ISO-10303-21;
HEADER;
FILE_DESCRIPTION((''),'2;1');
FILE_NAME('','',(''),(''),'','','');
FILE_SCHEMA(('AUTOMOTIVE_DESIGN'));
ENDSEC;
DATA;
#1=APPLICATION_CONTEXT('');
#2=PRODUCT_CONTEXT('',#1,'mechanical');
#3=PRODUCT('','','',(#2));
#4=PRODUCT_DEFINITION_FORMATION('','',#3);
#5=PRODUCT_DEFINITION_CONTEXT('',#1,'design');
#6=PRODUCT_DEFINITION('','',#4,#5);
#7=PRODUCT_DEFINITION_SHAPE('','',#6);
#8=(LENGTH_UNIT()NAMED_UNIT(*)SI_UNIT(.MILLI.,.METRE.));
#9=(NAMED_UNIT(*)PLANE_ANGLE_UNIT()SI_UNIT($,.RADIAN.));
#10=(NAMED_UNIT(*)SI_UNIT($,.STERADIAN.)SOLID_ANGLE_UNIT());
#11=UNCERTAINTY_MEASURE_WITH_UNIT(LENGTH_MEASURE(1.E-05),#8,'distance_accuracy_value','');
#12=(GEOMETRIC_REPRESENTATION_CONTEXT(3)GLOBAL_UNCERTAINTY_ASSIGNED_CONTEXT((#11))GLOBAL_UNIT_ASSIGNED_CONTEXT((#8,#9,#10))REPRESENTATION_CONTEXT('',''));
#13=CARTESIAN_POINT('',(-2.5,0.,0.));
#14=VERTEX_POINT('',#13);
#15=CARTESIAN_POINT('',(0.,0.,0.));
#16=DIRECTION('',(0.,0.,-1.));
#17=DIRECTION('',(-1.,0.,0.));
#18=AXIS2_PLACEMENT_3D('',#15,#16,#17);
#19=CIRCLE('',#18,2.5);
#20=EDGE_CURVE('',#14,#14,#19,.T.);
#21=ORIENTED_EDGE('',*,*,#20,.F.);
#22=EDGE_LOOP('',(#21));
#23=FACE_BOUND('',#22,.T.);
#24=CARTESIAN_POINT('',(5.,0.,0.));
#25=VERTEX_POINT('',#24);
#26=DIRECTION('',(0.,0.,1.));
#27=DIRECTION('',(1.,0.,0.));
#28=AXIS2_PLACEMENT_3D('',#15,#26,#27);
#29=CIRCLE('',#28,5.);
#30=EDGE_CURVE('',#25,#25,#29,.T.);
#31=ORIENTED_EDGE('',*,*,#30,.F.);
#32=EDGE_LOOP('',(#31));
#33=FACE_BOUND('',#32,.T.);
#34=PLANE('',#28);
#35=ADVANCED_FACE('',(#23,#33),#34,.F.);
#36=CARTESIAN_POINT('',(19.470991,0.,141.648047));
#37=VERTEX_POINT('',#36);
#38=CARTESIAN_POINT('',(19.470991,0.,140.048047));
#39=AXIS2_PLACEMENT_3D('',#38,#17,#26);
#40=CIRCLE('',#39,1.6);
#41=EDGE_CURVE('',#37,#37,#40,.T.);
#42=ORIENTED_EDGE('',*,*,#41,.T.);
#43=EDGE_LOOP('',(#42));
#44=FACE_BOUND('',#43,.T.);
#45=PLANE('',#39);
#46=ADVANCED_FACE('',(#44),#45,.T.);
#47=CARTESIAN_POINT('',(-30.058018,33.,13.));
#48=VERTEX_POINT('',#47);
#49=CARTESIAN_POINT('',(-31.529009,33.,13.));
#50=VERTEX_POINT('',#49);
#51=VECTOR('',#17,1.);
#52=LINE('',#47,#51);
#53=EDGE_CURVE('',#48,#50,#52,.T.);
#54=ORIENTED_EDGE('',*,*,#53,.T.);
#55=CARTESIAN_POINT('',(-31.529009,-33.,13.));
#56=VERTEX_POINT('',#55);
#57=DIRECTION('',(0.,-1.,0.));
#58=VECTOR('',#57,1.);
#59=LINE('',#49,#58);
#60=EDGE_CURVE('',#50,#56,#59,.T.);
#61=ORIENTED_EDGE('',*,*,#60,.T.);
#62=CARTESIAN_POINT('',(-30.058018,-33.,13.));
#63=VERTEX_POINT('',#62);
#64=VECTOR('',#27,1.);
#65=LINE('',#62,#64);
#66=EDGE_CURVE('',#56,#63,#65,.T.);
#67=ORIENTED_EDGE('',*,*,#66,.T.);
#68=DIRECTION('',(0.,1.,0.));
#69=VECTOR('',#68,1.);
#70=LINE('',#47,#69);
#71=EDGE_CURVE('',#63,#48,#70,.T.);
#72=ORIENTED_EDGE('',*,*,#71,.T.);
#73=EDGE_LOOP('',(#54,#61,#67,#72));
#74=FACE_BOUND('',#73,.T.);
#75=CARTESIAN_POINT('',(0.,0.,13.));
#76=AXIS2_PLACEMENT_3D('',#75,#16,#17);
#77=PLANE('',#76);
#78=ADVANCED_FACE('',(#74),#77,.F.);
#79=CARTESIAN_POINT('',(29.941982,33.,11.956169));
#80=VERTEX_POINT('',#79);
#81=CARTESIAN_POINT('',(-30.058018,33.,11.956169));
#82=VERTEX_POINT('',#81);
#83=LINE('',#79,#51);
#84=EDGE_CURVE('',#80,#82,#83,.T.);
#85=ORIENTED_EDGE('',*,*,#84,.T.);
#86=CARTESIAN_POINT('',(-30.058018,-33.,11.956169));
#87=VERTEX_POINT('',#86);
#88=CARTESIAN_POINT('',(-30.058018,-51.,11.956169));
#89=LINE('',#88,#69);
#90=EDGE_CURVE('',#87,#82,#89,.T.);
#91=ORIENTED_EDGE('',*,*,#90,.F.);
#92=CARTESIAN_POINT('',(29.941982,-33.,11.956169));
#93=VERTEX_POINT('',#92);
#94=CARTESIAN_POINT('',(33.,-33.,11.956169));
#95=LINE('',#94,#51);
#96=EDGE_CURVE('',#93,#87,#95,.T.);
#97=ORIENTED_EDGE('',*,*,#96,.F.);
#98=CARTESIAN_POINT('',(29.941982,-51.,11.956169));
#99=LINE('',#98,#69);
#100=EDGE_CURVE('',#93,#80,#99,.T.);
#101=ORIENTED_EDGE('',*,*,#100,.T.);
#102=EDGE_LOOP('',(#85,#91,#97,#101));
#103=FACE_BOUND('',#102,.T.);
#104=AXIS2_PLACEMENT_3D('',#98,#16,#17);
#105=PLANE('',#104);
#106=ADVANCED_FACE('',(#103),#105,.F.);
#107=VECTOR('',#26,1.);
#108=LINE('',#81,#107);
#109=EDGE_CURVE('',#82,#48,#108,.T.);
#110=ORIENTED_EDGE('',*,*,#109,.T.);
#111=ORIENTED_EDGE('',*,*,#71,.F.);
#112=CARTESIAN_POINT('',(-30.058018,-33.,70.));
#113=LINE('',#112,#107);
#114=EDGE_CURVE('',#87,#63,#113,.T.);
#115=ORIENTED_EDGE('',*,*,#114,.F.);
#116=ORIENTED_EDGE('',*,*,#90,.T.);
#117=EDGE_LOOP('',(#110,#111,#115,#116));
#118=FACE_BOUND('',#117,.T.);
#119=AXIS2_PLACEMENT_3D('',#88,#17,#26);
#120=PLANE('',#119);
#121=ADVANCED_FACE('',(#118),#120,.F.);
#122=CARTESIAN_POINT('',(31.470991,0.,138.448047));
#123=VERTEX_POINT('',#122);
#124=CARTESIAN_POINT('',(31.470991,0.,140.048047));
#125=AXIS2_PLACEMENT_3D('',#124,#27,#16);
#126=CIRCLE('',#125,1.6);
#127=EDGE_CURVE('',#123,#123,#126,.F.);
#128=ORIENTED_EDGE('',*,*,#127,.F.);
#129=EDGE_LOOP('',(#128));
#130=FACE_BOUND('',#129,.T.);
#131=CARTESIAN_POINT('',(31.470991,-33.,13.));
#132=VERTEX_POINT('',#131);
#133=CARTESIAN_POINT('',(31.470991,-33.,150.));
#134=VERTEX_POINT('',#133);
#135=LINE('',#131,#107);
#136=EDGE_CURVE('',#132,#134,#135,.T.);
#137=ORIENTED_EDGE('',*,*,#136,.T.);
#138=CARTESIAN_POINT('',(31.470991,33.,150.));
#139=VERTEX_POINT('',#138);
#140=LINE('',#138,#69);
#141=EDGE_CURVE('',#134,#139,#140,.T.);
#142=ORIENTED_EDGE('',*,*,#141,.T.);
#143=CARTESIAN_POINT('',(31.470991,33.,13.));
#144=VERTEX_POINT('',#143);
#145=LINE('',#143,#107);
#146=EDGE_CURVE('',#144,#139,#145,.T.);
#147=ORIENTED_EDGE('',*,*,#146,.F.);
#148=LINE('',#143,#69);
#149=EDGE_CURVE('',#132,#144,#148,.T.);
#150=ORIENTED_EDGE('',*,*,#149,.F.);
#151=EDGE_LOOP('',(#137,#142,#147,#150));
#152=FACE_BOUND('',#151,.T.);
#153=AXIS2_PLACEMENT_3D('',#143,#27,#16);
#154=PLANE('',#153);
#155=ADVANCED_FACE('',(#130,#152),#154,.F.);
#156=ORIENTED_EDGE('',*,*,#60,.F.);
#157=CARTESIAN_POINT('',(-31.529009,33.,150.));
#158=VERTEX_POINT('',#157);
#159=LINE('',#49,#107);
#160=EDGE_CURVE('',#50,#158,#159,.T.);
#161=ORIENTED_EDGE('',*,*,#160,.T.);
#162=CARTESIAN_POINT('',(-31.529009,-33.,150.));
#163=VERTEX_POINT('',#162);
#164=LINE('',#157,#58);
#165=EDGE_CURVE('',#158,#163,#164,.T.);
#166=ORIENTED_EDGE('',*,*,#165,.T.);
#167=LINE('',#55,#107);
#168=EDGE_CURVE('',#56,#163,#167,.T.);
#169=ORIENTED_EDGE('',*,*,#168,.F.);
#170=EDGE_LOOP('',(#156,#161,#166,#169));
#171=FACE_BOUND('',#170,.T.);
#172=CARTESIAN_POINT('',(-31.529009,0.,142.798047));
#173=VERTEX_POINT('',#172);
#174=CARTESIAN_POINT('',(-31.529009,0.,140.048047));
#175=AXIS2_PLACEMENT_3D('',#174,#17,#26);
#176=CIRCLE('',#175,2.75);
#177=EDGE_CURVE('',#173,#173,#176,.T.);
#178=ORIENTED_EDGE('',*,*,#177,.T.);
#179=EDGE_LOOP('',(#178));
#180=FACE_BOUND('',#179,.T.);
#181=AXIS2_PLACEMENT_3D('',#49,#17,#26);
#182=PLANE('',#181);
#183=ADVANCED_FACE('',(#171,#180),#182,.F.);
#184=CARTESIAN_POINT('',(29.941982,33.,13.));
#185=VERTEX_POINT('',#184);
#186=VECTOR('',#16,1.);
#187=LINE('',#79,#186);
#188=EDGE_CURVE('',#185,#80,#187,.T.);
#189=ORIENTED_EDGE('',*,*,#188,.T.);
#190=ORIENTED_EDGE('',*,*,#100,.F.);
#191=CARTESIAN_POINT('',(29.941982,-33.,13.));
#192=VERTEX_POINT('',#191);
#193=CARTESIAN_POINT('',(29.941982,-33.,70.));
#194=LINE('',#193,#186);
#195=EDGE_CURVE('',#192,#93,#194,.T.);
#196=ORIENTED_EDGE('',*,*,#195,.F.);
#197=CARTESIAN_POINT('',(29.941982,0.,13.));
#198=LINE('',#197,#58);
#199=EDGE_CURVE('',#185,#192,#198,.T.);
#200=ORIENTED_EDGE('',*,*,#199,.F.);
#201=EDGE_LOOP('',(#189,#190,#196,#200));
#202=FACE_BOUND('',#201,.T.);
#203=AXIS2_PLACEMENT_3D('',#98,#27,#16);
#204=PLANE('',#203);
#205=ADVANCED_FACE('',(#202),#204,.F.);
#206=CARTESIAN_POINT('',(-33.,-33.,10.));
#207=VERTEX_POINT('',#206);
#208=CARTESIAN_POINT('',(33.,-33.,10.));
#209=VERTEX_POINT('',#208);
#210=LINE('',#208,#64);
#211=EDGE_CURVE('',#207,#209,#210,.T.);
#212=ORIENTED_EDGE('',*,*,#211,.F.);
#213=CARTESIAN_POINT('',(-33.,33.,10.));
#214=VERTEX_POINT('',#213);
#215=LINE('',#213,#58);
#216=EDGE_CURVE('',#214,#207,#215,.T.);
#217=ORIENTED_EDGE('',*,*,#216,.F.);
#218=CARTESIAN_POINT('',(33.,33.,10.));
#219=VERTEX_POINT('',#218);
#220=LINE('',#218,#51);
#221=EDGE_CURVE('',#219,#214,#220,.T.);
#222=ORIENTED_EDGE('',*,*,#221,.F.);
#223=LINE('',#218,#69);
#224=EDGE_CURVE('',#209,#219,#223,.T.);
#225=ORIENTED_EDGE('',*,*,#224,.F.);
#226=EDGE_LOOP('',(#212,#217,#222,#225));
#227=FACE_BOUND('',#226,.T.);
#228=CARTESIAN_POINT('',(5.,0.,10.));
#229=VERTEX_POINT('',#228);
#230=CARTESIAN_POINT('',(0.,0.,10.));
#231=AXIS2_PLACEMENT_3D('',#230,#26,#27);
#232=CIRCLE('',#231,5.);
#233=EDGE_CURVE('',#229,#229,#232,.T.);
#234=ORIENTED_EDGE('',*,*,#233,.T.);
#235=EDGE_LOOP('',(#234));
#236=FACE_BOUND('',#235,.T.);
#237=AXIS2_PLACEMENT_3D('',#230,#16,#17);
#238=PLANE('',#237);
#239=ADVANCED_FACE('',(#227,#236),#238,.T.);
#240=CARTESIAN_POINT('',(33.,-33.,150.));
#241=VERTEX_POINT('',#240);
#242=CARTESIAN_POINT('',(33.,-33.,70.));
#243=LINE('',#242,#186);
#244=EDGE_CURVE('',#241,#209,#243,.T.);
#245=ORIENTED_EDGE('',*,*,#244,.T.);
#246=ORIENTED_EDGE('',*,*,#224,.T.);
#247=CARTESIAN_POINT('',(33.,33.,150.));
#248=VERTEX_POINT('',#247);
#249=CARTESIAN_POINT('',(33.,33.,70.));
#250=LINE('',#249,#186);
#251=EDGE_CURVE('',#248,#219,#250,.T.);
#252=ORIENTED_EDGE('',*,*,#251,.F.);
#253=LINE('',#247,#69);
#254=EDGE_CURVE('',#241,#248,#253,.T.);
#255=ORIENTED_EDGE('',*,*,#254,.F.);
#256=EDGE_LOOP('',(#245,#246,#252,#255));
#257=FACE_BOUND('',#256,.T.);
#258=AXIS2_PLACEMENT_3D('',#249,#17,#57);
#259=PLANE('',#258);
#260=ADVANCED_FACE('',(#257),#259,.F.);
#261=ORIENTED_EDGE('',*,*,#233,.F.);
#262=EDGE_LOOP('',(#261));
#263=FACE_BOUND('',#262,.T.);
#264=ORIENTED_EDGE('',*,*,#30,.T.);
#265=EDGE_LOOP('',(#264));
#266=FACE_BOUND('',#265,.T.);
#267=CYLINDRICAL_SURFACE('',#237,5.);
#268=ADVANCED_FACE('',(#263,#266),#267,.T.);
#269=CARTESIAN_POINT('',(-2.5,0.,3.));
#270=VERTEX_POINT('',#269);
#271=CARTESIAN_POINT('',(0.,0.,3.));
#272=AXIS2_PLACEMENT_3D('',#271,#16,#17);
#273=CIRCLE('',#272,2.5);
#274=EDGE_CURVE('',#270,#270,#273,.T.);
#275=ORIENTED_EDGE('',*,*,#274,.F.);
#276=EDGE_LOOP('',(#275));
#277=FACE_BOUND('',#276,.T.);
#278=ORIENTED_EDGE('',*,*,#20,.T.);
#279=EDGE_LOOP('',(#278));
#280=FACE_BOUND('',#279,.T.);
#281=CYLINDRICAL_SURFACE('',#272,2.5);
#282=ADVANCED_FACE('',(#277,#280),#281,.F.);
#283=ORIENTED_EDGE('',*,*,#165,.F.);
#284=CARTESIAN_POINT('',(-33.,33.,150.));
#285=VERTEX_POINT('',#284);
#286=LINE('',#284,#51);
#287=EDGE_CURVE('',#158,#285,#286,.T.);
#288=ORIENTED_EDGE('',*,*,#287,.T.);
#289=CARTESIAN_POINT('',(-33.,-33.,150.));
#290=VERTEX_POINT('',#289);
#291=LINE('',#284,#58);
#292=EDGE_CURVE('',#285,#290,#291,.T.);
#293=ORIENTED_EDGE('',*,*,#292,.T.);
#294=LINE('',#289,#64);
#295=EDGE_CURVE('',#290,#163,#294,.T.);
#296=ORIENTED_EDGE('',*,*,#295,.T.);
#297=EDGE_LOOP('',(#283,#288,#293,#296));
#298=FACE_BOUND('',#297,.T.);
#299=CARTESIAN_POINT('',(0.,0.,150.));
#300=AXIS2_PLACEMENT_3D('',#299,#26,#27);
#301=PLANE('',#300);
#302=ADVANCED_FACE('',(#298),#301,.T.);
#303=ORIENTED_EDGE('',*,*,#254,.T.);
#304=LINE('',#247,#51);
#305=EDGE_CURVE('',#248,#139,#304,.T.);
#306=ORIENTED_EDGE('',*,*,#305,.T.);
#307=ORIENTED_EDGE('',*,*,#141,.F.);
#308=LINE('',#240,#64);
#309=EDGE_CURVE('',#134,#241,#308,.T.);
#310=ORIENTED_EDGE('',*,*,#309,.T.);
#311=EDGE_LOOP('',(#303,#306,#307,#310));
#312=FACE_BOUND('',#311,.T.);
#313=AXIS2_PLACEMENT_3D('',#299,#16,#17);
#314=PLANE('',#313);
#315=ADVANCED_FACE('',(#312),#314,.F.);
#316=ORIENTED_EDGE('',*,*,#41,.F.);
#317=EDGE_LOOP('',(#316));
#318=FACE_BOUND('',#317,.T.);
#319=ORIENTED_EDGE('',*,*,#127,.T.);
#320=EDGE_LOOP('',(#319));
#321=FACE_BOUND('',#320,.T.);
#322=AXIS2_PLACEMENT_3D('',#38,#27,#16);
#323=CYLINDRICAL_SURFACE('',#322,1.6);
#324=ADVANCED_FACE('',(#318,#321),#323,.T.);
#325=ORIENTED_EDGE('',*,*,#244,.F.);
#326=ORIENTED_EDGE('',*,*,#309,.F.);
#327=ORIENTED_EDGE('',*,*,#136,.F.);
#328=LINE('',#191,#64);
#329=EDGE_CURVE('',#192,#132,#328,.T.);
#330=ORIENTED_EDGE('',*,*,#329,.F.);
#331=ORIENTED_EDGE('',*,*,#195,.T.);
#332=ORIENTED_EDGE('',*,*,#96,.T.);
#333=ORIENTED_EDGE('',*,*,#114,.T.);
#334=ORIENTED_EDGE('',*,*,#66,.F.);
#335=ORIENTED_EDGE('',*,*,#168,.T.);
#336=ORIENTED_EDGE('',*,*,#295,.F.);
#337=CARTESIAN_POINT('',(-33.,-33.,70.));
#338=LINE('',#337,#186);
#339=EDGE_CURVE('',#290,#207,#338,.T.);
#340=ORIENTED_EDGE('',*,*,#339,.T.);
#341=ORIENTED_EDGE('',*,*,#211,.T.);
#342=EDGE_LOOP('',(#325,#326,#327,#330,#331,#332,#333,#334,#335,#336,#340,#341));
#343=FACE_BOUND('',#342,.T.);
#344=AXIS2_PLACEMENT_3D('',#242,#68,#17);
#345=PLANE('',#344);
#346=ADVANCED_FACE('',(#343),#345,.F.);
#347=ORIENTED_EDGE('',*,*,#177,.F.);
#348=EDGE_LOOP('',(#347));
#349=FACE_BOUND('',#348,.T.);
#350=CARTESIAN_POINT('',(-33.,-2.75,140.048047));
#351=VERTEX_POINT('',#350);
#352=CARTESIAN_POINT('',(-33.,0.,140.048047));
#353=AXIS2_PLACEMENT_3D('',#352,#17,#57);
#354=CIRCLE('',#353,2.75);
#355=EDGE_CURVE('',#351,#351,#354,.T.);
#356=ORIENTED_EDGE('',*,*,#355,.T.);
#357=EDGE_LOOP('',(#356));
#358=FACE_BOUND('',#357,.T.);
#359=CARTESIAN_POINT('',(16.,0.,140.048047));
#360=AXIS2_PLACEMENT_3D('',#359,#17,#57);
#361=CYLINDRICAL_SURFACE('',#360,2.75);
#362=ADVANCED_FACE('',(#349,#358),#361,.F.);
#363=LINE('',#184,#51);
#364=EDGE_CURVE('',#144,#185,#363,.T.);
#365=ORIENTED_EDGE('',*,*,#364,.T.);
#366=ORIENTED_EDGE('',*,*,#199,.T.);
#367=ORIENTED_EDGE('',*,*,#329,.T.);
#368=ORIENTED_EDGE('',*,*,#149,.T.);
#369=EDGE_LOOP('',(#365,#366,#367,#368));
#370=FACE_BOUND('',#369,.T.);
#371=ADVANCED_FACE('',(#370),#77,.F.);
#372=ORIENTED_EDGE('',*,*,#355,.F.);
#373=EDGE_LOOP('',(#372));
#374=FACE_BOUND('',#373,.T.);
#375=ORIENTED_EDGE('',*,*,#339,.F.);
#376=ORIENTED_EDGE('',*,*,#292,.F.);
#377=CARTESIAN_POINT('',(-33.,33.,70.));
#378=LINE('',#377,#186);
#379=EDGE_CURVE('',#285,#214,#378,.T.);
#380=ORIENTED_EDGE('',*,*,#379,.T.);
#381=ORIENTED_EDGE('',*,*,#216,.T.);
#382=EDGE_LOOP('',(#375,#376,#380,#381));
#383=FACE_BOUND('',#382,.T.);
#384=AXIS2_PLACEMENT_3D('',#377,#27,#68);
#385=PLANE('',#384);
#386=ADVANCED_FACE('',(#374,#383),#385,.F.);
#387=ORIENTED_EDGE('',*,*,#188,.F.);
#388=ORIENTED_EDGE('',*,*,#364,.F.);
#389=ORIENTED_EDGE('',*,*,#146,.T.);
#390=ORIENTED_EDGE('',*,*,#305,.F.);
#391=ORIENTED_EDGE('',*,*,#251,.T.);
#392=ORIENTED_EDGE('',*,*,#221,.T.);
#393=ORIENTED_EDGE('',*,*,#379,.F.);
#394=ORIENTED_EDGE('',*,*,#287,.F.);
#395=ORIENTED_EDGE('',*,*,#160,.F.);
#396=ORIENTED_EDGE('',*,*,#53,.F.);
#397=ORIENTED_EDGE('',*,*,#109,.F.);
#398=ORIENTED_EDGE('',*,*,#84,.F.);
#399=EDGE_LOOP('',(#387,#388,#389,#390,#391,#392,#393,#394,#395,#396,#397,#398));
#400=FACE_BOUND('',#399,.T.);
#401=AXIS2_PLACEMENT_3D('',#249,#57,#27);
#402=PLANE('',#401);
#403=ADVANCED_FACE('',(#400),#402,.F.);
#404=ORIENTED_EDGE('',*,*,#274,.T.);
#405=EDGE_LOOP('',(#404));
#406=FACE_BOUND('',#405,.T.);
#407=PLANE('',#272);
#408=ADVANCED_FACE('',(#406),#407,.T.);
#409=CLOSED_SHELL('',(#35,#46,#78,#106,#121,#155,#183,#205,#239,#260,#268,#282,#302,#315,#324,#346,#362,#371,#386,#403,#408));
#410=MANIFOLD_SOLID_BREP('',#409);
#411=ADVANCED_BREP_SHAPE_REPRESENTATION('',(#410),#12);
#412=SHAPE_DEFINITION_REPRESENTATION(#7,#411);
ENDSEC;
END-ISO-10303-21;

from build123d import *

# Parameters (mm, degrees)
ESBO_O1_R                = 5
RESSALTO_EXTRUS_O2_DEPTH = 10
ESBO_O3_R                = 2.5
CORTE_EXTRUS_O2_DEPTH    = 3
ESBO_O4_W                = 66
ESBO_O4_H                = 66
RESSALTO_EXTRUS_O3_DEPTH = 60
ESBO_O5_W                = 60
ESBO_O5_H                = 63
CORTE_EXTRUS_O3_DEPTH    = 57
ESBO_O6_W                = 60
ESBO_O6_H                = 59
CORTE_EXTRUS_O5_DEPTH    = 84
ESBO_O7_W                = 2.941982117
ESBO_O7_H                = 66
ESBO_O7_W_2              = 3.058017883
RESSALTO_EXTRUS_O4_DEPTH = 80
ESBO_O8_W                = 1.470991058
ESBO_O8_H                = 66
ESBO_O8_W_2              = 1.529008942
CORTE_EXTRUS_O6_DEPTH    = 137
ESBO_O9_R                = 2.75
CORTE_EXTRUS_O7_DEPTH    = 49
ESBO_O10_R               = 1.6
RESSALTO_EXTRUS_O5_DEPTH = 12


with BuildPart() as part:
    # Esboço1 → Ressalto-extrusão2 (new body)
    with BuildSketch(Plane.XY):
        Circle(ESBO_O1_R)
    extrude(amount=RESSALTO_EXTRUS_O2_DEPTH)

    # Esboço3 → Corte-extrusão2 (cut)
    with BuildSketch(Plane(origin=(0, 0, 0), x_dir=(-1, 0, 0), z_dir=(0, 0, -1))):
        Circle(ESBO_O3_R)
    extrude(amount=-CORTE_EXTRUS_O2_DEPTH, mode=Mode.SUBTRACT)

    # Esboço4 → Ressalto-extrusão3 (add)
    with BuildSketch(Plane.XY.offset(10)):
        Rectangle(ESBO_O4_W, ESBO_O4_H)
    extrude(amount=RESSALTO_EXTRUS_O3_DEPTH)

    # Esboço5 → Corte-extrusão3 (cut)
    with BuildSketch(Plane.XY.offset(70)):
        Rectangle(ESBO_O5_W, ESBO_O5_H)
    extrude(amount=-CORTE_EXTRUS_O3_DEPTH, mode=Mode.SUBTRACT)

    # Esboço6 → Corte-extrusão5 (cut)
    with BuildSketch(Plane(origin=(0, 33, 0), x_dir=(1, 0, 0), z_dir=(0, 1, 0))):
        with Locations((-0.058017883, -41.456168944)):
            Rectangle(ESBO_O6_W, ESBO_O6_H)
    extrude(amount=-CORTE_EXTRUS_O5_DEPTH, mode=Mode.SUBTRACT)

    # Esboço7 → Ressalto-extrusão4 (add)
    with BuildSketch(Plane.XY.offset(70)):
        with Locations((-31.529008942, 0)):
            Rectangle(ESBO_O7_W, ESBO_O7_H)
        with Locations((31.470991059, 0)):
            Rectangle(ESBO_O7_W_2, ESBO_O7_H)
    extrude(amount=RESSALTO_EXTRUS_O4_DEPTH)

    # Esboço8 → Corte-extrusão6 (cut)
    with BuildSketch(Plane.XY.offset(150)):
        with Locations((-30.793513412, 0)):
            Rectangle(ESBO_O8_W, ESBO_O8_H)
        with Locations((30.706486588, 0)):
            Rectangle(ESBO_O8_W_2, ESBO_O8_H)
    extrude(amount=-CORTE_EXTRUS_O6_DEPTH, mode=Mode.SUBTRACT)

    # Esboço9 → Corte-extrusão7 (cut)
    with BuildSketch(Plane.ZY.offset(33)):
        with Locations(Location((140.048047336, 0, 0), (0, 0, 270))):
            Circle(ESBO_O9_R)
    extrude(amount=-CORTE_EXTRUS_O7_DEPTH, mode=Mode.SUBTRACT)

    # Esboço10 → Ressalto-extrusão5 (add)
    with BuildSketch(Plane.ZY.offset(-31.470991059)):
        with Locations(Location((140.048047336, 0, 0), (0, 0, 180))):
            Circle(ESBO_O10_R)
    extrude(amount=RESSALTO_EXTRUS_O5_DEPTH)


solid = part.part
